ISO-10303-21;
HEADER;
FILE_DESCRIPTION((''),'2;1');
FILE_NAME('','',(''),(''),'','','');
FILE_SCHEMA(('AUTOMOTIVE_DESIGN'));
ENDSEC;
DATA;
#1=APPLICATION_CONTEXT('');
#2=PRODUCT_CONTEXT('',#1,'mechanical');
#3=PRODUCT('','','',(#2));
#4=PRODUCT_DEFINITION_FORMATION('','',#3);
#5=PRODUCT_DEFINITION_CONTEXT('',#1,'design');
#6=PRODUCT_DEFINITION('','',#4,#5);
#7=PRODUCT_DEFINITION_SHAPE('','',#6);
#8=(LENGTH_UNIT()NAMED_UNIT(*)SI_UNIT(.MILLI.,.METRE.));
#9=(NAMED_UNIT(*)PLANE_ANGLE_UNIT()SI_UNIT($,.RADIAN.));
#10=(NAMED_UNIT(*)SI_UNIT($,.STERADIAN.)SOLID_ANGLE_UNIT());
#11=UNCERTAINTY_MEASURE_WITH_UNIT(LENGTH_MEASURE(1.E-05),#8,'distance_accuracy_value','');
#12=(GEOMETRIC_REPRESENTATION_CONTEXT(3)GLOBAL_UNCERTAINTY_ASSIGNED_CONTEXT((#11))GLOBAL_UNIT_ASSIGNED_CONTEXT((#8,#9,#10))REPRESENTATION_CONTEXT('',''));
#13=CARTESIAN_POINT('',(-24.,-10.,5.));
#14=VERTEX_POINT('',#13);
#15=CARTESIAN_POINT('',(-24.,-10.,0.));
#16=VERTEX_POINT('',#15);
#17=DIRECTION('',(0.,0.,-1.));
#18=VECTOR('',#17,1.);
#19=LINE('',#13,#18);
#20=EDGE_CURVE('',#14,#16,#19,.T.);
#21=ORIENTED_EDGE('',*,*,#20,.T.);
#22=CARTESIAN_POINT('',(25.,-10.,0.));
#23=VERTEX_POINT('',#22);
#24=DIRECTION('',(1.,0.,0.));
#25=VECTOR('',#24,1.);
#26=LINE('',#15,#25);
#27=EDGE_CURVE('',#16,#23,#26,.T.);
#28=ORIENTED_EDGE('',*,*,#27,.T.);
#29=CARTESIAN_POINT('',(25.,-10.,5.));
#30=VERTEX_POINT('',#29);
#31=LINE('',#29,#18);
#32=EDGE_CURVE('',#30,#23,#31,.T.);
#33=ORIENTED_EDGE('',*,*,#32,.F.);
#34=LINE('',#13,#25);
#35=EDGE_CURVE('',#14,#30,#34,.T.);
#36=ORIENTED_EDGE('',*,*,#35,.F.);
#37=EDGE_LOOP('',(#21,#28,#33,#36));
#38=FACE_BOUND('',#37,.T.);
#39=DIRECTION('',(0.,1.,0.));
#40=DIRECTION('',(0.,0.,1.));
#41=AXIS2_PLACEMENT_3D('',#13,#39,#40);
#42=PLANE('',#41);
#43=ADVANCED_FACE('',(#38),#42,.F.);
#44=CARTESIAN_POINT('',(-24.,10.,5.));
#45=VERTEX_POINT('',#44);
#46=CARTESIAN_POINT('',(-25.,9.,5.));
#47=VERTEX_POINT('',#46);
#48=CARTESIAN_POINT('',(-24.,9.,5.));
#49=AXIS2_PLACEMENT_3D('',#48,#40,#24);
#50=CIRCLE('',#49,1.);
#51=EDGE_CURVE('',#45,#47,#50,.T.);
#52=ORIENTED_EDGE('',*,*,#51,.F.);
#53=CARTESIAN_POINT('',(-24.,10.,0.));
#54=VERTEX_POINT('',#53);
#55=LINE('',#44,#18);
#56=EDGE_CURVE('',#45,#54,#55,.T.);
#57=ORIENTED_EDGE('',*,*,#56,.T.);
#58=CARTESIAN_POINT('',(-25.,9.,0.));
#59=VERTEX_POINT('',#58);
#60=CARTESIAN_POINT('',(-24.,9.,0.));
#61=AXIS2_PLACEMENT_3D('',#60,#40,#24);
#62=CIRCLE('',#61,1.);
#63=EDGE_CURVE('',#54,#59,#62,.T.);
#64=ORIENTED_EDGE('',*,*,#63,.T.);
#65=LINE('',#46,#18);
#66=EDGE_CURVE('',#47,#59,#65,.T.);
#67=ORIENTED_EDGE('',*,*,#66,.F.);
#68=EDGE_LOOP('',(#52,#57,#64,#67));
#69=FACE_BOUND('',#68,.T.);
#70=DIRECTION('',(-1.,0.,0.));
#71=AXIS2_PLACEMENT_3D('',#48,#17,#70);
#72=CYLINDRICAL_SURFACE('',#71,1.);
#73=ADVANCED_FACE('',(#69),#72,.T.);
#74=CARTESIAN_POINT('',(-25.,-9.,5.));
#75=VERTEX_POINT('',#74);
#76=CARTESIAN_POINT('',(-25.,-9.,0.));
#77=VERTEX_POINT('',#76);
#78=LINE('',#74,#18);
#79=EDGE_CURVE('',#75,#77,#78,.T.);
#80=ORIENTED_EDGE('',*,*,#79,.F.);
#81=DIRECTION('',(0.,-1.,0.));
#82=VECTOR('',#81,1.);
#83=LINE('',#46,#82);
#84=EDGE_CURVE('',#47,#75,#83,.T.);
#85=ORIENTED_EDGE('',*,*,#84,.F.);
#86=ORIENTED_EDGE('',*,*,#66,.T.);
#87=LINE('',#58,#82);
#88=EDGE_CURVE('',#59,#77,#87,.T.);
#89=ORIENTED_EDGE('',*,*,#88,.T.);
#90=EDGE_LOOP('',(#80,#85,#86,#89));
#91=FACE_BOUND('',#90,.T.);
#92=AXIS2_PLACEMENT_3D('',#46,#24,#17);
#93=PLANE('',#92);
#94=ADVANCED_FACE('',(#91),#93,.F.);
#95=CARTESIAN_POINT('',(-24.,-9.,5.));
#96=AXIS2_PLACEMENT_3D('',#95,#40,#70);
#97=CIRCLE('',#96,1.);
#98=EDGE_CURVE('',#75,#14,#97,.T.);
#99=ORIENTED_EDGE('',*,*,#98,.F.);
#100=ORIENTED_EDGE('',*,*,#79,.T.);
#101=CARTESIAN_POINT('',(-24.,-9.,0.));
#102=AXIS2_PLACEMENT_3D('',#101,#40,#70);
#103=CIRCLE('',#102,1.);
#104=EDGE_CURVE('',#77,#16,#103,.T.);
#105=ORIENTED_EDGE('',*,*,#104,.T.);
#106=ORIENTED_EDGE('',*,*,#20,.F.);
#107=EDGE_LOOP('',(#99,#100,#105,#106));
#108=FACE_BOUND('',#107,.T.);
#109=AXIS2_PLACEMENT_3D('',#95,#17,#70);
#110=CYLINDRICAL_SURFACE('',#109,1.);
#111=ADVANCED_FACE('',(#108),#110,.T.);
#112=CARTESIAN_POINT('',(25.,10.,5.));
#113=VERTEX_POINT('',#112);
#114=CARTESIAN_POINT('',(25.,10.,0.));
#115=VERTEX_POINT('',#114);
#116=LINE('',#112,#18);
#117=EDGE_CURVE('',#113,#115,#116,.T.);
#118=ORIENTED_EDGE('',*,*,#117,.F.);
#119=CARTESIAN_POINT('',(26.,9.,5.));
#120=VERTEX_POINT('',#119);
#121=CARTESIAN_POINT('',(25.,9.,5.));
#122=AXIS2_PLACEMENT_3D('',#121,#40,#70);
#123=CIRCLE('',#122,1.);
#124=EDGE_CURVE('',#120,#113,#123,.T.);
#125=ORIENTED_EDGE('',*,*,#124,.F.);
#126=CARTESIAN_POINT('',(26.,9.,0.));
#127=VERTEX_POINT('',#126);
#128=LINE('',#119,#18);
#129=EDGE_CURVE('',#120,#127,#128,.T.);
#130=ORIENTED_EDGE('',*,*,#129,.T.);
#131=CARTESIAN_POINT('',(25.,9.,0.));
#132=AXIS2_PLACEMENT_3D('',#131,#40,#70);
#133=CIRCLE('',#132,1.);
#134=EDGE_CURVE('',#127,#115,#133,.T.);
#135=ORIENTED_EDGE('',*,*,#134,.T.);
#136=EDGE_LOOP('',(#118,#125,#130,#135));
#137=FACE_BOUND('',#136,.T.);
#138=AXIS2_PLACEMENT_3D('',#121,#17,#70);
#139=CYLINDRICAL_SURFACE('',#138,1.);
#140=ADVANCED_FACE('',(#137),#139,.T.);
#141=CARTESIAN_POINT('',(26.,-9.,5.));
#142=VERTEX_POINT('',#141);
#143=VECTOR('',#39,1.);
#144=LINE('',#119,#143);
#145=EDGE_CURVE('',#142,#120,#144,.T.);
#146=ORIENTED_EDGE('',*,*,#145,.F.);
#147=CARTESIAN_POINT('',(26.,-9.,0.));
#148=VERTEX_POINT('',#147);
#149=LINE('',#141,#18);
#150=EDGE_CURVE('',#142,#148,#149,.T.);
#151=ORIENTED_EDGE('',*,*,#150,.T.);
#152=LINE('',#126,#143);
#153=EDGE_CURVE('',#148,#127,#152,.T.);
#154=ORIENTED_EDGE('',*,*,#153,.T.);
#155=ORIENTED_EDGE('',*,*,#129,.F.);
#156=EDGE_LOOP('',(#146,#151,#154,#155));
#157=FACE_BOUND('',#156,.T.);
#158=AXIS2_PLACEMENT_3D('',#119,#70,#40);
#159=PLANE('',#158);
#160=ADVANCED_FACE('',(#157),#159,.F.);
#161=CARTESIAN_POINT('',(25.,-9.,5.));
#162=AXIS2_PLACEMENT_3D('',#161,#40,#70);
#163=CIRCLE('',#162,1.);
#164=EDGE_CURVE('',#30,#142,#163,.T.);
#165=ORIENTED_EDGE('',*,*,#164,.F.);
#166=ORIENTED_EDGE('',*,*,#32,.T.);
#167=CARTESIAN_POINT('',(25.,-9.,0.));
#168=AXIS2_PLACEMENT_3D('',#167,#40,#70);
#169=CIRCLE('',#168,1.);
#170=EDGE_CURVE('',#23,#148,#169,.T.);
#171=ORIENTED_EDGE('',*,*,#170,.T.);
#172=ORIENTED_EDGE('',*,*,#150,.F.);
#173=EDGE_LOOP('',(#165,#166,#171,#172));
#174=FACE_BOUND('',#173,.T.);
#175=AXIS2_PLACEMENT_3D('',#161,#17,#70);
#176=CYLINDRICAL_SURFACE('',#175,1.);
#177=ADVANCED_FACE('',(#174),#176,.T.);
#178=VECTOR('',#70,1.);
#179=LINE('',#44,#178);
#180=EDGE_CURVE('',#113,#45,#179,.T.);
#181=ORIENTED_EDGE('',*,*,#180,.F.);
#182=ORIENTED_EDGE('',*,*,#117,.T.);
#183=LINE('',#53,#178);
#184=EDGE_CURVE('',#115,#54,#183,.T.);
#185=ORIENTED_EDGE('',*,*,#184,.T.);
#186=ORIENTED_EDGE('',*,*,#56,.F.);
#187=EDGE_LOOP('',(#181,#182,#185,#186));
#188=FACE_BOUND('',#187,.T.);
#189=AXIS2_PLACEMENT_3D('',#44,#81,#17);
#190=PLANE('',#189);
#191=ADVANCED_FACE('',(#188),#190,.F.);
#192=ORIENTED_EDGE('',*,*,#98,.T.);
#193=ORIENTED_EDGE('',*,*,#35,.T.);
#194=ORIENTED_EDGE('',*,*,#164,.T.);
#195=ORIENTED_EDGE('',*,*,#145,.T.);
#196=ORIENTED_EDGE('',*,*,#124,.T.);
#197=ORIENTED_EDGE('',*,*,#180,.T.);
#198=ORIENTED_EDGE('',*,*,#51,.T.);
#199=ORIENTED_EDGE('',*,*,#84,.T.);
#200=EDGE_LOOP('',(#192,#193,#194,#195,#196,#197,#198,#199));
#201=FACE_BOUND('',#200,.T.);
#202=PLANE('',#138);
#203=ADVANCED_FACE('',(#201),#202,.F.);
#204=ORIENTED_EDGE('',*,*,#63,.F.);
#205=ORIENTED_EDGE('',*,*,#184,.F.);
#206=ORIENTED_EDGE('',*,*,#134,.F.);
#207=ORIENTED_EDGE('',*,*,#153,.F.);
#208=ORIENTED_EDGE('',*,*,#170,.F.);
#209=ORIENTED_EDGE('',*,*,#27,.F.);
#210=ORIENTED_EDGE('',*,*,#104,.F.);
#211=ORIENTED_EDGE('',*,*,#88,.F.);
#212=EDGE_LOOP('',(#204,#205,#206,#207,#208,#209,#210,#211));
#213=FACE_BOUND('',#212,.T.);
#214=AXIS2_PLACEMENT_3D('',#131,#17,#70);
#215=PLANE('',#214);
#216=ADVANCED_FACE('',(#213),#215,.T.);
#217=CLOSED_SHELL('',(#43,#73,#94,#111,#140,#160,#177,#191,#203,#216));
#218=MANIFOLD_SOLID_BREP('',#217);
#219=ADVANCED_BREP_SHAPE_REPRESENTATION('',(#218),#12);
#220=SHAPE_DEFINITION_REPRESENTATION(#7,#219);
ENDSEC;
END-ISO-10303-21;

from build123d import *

# Parameters (mm, degrees)
BOSS_EXTRUDE1_DEPTH = 5


with BuildPart() as part:
    # Sketch3 → Boss-Extrude1 (new body)
    with BuildSketch(Plane.XY):
        with BuildLine():
            Line((-24, 10), (25, 10))
            ThreePointArc((25, 10), (25.707106781, 9.707106781), (26, 9))
            Line((26, 9), (26, -9))
            ThreePointArc((26, -9), (25.707106781, -9.707106781), (25, -10))
            Line((25, -10), (-24, -10))
            ThreePointArc((-24, -10), (-24.707106781, -9.707106781), (-25, -9))
            Line((-25, -9), (-25, 9))
            ThreePointArc((-25, 9), (-24.707106781, 9.707106781), (-24, 10))
        make_face()
    extrude(amount=BOSS_EXTRUDE1_DEPTH)


solid = part.part
